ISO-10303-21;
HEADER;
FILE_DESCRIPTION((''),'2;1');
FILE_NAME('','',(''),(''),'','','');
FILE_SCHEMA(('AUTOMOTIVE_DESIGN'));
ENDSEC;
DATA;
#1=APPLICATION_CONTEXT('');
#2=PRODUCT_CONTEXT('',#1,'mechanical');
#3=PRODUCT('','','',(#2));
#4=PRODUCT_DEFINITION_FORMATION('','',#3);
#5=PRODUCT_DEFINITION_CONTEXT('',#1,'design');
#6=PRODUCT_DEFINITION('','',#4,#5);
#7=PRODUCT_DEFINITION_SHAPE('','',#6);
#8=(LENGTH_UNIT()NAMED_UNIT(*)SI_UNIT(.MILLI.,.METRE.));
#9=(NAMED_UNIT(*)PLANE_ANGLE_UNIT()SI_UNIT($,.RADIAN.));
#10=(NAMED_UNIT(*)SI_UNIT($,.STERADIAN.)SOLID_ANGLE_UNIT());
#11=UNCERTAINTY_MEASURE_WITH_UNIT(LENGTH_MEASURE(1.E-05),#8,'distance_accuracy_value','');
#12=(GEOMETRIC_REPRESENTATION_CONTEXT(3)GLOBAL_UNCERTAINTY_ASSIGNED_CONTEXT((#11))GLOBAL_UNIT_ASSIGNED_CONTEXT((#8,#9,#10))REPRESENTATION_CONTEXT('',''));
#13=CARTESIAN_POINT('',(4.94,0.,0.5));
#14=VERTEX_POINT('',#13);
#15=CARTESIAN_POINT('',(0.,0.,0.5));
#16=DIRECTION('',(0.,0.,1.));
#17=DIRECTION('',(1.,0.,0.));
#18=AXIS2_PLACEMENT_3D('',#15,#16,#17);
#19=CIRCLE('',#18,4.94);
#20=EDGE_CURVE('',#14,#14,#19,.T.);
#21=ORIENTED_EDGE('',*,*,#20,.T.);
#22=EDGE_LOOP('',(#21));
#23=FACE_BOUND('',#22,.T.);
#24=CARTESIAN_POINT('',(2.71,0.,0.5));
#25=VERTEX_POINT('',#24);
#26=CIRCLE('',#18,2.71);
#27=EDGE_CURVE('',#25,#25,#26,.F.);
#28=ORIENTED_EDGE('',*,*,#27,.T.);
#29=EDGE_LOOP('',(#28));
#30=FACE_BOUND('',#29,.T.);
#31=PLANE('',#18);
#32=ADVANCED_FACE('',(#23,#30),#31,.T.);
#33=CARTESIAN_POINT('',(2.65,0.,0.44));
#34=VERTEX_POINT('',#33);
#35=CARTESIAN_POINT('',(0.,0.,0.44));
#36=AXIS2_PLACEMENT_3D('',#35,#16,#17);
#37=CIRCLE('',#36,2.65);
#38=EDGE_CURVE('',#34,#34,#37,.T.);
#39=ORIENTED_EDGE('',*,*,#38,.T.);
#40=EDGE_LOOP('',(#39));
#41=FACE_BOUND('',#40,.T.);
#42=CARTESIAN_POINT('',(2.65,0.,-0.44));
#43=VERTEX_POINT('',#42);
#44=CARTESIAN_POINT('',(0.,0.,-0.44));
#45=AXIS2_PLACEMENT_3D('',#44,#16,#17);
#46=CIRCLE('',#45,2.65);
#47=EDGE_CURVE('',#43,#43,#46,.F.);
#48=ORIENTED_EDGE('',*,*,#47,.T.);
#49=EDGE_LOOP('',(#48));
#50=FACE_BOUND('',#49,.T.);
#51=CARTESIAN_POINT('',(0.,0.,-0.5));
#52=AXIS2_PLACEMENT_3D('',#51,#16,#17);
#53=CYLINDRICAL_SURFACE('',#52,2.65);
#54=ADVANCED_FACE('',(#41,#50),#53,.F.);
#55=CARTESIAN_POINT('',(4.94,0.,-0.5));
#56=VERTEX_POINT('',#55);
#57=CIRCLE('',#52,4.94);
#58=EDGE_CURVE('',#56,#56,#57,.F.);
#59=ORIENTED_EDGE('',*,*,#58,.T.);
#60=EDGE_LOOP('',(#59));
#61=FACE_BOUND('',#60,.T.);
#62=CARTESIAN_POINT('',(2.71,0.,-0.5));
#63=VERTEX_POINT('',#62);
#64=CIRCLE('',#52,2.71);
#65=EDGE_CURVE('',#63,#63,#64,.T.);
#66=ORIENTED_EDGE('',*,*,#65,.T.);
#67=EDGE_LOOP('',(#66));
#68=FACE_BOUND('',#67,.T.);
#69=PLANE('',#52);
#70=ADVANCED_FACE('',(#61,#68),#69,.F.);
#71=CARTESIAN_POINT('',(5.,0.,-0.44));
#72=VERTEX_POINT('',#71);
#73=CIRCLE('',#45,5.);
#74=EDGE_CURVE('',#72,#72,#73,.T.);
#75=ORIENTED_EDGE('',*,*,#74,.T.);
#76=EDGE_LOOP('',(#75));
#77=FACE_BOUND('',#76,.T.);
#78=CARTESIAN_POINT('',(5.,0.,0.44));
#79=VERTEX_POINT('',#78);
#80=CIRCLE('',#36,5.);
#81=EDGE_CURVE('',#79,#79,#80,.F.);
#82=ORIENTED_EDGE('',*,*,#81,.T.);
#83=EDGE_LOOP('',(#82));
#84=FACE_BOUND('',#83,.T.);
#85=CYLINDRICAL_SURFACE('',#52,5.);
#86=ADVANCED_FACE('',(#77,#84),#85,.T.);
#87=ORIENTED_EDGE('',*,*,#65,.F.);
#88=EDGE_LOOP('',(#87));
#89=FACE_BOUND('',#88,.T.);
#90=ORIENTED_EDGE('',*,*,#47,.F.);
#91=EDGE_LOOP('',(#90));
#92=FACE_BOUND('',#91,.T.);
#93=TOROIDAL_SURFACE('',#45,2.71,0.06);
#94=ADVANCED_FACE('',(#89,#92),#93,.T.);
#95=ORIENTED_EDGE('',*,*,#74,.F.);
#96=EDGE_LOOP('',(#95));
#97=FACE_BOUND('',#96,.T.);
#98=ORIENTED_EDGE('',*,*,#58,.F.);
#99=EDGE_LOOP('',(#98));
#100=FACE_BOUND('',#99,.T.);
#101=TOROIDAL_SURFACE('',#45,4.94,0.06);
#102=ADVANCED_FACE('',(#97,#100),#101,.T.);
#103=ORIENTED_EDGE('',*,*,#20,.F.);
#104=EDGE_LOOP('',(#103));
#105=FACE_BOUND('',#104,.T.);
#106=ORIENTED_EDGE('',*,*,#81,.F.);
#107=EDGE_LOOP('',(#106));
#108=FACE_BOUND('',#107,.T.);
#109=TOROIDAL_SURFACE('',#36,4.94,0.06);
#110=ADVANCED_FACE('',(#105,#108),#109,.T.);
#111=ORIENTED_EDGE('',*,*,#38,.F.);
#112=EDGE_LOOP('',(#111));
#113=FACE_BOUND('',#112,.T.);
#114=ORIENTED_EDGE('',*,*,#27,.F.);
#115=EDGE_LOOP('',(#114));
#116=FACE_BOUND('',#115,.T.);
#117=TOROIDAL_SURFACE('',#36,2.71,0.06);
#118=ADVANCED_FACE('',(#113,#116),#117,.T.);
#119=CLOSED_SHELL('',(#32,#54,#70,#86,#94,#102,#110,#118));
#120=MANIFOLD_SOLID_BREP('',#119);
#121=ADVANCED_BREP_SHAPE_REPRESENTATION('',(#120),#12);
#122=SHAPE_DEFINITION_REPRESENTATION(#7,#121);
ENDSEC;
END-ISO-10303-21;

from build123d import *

# Parameters (mm, degrees)
BOSS_EXTRUDE1_START = 0.5
SKETCH3_R           = 5
SKETCH3_R_2         = 2.65
BOSS_EXTRUDE1_DEPTH = 1
FILLET1_R           = 0.06


with BuildPart() as part:
    # Sketch3 → Boss-Extrude1 (new body)
    with BuildSketch(Plane.XY.offset(BOSS_EXTRUDE1_START)):
        Circle(SKETCH3_R)
        Circle(SKETCH3_R_2, mode=Mode.SUBTRACT)
    extrude(amount=-BOSS_EXTRUDE1_DEPTH)

    # Fillet1
    fillet1_edges = [part.edges().sort_by_distance(p)[0] for p in [
        (-5, 0, 0.5),
        (-5, 0, -0.5),
        (-2.65, 0, -0.5),
        (-2.65, 0, 0.5),
    ]]
    fillet(fillet1_edges, radius=FILLET1_R)


solid = part.part
